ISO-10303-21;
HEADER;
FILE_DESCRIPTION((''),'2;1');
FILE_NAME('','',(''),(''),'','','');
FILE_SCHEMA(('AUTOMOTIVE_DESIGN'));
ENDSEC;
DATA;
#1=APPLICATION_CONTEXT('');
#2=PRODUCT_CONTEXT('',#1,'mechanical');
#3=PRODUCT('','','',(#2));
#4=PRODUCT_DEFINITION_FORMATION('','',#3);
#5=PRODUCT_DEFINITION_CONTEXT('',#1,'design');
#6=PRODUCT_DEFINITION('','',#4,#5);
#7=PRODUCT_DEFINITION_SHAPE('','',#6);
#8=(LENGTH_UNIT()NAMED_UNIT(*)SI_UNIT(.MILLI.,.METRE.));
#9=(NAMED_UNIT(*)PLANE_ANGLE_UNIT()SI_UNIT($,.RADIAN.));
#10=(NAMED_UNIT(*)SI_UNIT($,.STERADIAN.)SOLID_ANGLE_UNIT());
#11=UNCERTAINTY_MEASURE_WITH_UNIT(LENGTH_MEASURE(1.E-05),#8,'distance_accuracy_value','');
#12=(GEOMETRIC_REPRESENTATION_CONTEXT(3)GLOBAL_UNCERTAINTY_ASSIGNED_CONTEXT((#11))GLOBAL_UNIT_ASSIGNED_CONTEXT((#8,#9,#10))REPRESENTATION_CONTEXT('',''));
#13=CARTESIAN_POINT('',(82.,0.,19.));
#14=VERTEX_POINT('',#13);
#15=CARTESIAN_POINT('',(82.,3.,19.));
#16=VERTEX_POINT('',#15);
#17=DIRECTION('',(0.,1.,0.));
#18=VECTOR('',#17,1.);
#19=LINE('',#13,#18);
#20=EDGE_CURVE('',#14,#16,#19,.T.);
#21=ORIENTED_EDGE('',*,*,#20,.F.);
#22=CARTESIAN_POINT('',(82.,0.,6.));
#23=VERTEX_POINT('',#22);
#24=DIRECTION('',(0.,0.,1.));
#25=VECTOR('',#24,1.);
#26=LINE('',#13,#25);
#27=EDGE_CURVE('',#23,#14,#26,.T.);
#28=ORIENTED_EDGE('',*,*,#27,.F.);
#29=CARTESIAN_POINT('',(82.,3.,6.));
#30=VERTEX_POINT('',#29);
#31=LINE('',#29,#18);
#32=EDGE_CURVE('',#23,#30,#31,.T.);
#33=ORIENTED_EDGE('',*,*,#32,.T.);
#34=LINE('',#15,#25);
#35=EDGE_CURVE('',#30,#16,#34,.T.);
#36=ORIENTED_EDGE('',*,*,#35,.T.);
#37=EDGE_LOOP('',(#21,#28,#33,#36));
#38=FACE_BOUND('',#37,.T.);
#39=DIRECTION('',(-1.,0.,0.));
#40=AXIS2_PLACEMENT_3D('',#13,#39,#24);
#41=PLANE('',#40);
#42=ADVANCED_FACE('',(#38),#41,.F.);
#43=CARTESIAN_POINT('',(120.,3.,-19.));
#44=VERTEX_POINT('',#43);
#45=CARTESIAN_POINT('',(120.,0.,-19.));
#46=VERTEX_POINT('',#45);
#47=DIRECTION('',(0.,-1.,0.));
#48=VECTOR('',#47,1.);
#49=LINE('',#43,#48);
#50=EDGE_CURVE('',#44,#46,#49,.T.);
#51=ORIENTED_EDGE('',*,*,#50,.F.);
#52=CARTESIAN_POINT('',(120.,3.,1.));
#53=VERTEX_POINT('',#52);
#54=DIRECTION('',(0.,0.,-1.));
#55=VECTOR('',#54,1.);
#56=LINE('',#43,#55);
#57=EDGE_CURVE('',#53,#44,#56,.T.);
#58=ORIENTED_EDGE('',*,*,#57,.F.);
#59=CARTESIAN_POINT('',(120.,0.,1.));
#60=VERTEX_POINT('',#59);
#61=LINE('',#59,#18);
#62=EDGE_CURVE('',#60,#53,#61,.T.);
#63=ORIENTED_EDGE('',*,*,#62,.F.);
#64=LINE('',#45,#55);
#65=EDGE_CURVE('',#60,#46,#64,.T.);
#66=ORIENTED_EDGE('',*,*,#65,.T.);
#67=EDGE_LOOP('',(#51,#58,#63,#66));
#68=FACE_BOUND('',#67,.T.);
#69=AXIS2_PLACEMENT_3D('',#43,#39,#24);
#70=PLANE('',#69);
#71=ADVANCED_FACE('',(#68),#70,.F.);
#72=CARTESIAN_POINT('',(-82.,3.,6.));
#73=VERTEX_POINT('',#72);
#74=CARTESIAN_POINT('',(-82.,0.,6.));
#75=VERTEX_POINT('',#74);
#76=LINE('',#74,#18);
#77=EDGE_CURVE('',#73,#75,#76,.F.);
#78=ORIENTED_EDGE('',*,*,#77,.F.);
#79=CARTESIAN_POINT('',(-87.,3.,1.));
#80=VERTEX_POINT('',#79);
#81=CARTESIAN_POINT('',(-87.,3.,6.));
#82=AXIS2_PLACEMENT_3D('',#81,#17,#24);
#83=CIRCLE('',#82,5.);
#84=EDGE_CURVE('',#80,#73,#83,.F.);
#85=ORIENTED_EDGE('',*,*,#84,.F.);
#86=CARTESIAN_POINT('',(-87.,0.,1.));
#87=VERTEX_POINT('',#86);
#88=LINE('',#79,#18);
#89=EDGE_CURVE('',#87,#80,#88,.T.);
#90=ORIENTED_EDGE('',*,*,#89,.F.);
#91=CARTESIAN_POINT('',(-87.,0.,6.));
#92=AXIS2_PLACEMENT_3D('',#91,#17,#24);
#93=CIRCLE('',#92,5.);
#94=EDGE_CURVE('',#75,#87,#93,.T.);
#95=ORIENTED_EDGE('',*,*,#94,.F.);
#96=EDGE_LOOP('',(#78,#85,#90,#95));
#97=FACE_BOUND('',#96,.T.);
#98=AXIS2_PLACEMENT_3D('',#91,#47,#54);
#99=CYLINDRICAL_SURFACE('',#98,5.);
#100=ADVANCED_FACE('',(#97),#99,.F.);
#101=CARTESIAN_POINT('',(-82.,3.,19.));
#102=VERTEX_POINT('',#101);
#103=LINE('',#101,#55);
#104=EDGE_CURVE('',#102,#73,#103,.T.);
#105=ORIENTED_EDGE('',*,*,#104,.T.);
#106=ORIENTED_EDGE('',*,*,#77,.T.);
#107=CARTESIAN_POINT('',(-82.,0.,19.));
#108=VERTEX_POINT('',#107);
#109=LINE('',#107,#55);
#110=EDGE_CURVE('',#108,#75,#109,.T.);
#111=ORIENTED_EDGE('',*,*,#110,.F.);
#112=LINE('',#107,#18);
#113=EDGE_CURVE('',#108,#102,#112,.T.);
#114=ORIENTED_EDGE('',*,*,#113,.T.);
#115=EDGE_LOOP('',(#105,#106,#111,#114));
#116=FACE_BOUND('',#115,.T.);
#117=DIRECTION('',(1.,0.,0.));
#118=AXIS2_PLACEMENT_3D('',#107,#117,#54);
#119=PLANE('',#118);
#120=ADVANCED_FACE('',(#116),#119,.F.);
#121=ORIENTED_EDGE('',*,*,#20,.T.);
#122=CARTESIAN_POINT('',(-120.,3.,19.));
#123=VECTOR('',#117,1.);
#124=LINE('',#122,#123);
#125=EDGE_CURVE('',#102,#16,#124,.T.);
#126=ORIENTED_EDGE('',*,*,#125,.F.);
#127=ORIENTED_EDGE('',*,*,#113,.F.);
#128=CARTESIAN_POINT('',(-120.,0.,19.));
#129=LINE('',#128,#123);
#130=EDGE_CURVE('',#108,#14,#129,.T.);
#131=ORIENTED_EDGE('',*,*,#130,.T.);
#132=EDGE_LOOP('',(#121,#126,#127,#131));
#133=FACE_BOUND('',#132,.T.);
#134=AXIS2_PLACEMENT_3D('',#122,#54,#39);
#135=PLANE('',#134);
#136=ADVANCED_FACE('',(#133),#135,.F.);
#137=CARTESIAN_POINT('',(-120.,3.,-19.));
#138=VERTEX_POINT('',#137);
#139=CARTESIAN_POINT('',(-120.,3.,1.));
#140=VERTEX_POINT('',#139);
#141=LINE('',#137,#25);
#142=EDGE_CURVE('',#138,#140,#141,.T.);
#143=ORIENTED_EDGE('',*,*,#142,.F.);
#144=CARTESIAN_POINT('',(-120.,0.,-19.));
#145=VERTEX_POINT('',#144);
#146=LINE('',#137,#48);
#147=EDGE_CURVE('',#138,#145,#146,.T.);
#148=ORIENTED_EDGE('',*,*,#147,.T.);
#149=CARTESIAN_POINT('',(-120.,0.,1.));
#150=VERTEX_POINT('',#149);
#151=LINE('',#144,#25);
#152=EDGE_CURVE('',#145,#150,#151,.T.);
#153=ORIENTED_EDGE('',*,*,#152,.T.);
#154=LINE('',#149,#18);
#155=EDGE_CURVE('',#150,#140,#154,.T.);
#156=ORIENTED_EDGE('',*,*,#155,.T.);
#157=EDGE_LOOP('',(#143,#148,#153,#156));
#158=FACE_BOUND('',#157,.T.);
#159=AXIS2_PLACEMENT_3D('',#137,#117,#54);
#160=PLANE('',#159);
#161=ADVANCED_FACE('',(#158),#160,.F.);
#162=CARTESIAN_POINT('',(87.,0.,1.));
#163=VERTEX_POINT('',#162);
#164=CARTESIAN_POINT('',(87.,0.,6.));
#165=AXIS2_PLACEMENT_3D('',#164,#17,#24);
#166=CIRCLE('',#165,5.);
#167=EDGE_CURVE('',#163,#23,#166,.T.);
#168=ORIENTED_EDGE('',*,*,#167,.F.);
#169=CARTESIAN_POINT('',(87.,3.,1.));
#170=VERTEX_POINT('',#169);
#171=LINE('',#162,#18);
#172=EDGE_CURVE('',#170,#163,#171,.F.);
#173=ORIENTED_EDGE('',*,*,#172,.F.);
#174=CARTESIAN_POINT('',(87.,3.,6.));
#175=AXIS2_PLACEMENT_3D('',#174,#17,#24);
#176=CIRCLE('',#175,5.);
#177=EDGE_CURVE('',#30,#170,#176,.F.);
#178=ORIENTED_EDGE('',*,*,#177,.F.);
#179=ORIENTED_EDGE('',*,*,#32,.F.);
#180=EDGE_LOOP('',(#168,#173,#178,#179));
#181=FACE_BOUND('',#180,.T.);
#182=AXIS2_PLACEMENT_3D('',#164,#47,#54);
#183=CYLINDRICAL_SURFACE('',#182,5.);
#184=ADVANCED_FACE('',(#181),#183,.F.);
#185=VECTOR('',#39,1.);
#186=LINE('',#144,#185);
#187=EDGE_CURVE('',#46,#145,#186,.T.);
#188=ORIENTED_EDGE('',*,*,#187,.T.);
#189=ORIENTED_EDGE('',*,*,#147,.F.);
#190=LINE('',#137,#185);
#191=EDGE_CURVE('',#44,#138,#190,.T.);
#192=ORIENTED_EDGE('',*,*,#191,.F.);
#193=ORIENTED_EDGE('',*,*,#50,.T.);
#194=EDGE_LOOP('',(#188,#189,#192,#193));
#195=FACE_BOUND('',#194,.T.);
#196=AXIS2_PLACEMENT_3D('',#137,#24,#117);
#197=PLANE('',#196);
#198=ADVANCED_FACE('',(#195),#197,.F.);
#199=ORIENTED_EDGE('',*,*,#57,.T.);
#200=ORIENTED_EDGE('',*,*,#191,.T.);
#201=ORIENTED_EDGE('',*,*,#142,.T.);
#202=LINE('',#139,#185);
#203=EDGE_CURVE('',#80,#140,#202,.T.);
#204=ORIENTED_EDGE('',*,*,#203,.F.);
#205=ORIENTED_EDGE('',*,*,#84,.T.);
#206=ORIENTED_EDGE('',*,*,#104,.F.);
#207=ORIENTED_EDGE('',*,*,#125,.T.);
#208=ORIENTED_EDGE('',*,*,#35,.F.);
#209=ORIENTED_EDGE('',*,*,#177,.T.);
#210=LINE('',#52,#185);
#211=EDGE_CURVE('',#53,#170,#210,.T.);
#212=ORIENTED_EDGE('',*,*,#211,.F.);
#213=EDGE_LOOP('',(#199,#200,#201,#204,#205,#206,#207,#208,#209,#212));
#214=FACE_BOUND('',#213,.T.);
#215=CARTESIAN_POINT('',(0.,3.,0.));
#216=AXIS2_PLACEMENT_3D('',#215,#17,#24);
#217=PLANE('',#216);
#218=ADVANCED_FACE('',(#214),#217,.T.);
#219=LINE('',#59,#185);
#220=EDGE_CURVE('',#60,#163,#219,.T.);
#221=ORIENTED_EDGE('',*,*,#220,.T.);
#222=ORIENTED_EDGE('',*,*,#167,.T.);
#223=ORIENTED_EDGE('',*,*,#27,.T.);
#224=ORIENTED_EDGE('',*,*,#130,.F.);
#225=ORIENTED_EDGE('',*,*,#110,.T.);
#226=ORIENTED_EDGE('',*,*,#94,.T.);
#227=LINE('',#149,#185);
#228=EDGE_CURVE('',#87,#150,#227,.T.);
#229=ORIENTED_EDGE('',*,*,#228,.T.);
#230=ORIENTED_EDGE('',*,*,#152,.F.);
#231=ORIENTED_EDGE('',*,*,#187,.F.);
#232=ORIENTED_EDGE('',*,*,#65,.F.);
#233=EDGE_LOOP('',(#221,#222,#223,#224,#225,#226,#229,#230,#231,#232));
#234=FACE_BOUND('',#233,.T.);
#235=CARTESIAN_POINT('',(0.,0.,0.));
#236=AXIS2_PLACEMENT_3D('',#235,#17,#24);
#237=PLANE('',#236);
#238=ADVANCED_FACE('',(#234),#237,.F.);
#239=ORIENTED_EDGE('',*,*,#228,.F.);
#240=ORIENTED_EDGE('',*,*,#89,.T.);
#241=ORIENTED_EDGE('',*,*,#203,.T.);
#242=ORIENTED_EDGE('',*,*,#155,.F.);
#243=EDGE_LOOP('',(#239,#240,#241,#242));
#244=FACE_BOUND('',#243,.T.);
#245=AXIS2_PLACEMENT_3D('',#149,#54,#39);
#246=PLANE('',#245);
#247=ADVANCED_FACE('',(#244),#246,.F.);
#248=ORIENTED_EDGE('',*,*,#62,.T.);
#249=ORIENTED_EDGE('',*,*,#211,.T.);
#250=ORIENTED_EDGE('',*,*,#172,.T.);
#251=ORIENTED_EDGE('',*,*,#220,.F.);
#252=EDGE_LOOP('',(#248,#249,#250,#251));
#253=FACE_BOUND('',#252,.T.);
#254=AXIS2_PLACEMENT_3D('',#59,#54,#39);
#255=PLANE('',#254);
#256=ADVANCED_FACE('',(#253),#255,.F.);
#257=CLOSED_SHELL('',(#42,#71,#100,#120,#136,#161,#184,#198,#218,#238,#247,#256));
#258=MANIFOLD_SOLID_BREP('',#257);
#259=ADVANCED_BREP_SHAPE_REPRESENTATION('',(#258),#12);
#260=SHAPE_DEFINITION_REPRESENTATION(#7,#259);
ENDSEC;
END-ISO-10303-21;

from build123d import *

# Parameters (mm, degrees)
SKETCH1_W           = 240
SKETCH1_H           = 38
BOSS_EXTRUDE1_DEPTH = 3
SKETCH2_W           = 38
SKETCH2_H           = 18
CUT_EXTRUDE1_DEPTH  = 3
FILLET1_R           = 5


with BuildPart() as part:
    # Sketch1 → Boss-Extrude1 (new body)
    with BuildSketch(Plane(origin=(0, 0, 0), x_dir=(1, 0, 0), z_dir=(0, 1, 0))):
        Rectangle(SKETCH1_W, SKETCH1_H)
    extrude(amount=BOSS_EXTRUDE1_DEPTH)

    # Sketch2 → Cut-Extrude1 (cut)
    with BuildSketch(Plane(origin=(0, 3, 0), x_dir=(1, 0, 0), z_dir=(0, 1, 0))):
        with Locations((-101, -10)):
            Rectangle(SKETCH2_W, SKETCH2_H)
        with Locations((101, -10)):
            Rectangle(SKETCH2_W, SKETCH2_H)
    extrude(amount=-CUT_EXTRUDE1_DEPTH, mode=Mode.SUBTRACT)

    # Fillet1
    fillet1_edges = [part.edges().sort_by_distance(p)[0] for p in [
        (-82, 1.5, 1),
        (82, 1.5, 1),
    ]]
    fillet(fillet1_edges, radius=FILLET1_R)


solid = part.part
